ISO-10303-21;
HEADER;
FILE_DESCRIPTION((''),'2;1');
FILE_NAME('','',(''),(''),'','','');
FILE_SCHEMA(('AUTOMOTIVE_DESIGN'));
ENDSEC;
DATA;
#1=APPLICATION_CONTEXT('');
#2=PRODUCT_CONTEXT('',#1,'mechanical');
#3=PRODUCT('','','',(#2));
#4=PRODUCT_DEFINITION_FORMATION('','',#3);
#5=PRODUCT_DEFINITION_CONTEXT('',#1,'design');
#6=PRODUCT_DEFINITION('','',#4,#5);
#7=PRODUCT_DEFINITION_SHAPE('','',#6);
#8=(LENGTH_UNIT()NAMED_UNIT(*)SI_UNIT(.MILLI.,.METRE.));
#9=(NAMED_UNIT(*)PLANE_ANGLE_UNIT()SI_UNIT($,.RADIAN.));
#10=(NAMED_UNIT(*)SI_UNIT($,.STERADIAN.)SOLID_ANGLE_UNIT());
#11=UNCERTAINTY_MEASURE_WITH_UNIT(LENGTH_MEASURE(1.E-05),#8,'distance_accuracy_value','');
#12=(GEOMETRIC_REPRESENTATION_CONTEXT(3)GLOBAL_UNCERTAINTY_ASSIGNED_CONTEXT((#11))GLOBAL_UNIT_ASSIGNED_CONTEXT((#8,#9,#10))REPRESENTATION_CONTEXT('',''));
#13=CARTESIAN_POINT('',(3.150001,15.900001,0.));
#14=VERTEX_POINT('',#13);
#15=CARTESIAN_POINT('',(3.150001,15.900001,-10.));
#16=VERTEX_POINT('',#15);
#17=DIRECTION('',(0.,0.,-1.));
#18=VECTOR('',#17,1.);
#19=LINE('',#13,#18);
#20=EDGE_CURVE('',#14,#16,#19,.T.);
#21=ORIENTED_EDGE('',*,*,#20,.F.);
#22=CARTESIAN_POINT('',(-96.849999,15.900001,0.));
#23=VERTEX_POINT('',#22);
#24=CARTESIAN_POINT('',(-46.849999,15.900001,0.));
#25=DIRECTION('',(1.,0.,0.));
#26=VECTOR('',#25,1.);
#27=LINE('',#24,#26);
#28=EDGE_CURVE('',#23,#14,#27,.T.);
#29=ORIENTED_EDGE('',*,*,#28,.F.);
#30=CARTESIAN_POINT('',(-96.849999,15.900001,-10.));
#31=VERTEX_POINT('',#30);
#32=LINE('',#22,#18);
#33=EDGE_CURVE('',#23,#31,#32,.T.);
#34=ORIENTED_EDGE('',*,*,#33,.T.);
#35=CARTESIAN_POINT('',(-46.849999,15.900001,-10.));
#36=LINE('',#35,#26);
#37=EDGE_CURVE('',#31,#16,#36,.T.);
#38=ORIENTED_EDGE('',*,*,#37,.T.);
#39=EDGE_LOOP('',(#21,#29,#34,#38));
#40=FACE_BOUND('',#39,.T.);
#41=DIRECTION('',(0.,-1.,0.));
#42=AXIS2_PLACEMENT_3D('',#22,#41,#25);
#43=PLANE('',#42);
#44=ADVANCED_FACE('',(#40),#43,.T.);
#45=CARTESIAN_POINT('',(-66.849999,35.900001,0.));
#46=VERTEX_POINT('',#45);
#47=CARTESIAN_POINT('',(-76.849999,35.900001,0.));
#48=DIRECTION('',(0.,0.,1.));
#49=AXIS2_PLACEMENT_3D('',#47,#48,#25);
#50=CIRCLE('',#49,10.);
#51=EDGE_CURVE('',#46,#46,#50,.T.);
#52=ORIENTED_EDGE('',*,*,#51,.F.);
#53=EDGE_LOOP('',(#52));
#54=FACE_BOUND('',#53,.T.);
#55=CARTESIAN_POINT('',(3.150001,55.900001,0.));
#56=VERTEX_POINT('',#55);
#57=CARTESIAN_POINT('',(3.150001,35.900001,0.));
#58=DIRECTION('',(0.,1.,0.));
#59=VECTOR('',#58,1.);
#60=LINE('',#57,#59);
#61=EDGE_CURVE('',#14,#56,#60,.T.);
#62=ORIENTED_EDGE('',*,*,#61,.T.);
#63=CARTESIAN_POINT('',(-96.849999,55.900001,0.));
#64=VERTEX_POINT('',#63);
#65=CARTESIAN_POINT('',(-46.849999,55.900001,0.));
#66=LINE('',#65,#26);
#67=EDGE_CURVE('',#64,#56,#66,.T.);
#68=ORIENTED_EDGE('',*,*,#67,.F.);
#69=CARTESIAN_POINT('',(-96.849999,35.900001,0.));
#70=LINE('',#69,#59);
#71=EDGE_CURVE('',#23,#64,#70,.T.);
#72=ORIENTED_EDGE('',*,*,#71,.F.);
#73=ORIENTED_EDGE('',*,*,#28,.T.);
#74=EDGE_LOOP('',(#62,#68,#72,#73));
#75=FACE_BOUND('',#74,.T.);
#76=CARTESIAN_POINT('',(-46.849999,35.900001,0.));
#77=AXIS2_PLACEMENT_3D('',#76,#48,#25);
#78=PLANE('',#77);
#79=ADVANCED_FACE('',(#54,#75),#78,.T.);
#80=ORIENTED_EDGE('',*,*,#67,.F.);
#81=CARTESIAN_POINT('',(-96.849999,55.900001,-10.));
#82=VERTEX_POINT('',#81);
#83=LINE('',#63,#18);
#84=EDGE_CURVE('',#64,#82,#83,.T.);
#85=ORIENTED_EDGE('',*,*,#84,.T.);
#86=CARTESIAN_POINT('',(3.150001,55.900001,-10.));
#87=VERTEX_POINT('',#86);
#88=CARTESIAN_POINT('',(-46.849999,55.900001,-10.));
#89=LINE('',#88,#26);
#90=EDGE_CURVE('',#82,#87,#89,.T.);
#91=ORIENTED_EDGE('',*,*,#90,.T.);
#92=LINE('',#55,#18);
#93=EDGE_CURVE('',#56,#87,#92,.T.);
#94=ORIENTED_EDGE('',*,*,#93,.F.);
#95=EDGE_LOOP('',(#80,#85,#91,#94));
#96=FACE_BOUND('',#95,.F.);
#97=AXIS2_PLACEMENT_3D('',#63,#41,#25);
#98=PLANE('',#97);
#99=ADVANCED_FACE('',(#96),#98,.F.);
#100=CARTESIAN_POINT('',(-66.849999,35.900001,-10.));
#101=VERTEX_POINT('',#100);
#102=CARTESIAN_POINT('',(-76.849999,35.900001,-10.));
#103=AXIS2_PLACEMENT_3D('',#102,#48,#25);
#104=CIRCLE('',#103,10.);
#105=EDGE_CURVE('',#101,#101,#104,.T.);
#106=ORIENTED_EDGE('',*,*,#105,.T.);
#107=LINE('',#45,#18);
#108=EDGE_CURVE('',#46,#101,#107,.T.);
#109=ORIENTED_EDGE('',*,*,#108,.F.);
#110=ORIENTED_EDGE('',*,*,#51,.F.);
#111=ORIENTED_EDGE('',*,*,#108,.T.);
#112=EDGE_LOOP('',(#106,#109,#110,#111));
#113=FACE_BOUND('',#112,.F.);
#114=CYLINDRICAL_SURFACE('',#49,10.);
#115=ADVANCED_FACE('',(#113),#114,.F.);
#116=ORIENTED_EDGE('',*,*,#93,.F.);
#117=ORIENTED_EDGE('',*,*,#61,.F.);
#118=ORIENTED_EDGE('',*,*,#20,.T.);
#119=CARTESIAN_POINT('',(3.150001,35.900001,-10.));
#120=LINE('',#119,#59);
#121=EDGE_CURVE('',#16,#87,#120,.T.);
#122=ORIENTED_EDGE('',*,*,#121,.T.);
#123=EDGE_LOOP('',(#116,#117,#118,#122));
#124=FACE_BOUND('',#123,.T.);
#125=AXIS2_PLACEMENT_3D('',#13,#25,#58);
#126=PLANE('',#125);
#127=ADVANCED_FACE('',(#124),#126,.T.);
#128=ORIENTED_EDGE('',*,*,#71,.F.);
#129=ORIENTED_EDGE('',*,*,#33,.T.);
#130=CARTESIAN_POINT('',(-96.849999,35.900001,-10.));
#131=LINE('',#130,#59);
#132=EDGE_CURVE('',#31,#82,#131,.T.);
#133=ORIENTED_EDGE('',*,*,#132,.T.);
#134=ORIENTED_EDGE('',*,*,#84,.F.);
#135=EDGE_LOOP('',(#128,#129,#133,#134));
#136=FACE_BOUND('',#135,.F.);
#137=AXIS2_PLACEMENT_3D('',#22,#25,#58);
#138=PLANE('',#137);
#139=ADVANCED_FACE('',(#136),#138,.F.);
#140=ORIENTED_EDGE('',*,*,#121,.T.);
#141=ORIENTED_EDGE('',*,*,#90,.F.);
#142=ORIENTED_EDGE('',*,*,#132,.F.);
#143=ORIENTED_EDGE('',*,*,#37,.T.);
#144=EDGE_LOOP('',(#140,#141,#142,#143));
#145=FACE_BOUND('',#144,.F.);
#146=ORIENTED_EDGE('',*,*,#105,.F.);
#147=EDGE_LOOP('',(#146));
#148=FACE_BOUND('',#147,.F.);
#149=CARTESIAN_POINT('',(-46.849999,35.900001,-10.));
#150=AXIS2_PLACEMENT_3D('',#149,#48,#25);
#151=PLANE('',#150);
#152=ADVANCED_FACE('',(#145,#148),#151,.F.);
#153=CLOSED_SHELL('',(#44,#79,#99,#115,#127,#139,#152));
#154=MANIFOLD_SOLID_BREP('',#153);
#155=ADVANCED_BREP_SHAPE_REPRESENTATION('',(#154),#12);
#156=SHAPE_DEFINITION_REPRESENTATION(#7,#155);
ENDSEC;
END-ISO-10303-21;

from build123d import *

# Parameters (mm, degrees)
F0_W     = 100
F0_H     = 40
F0_R     = 10
F1_DEPTH = 10


with BuildPart() as f1:
    # F0 (on Top) → F1 (new body)
    with BuildSketch(Plane.XY):
        with Locations((-46.849999, 35.900001)):
            Rectangle(F0_W, F0_H)
        with Locations((-76.849999, 35.900001)):
            Circle(F0_R, mode=Mode.SUBTRACT)
    extrude(amount=-F1_DEPTH)


solid = f1.part
